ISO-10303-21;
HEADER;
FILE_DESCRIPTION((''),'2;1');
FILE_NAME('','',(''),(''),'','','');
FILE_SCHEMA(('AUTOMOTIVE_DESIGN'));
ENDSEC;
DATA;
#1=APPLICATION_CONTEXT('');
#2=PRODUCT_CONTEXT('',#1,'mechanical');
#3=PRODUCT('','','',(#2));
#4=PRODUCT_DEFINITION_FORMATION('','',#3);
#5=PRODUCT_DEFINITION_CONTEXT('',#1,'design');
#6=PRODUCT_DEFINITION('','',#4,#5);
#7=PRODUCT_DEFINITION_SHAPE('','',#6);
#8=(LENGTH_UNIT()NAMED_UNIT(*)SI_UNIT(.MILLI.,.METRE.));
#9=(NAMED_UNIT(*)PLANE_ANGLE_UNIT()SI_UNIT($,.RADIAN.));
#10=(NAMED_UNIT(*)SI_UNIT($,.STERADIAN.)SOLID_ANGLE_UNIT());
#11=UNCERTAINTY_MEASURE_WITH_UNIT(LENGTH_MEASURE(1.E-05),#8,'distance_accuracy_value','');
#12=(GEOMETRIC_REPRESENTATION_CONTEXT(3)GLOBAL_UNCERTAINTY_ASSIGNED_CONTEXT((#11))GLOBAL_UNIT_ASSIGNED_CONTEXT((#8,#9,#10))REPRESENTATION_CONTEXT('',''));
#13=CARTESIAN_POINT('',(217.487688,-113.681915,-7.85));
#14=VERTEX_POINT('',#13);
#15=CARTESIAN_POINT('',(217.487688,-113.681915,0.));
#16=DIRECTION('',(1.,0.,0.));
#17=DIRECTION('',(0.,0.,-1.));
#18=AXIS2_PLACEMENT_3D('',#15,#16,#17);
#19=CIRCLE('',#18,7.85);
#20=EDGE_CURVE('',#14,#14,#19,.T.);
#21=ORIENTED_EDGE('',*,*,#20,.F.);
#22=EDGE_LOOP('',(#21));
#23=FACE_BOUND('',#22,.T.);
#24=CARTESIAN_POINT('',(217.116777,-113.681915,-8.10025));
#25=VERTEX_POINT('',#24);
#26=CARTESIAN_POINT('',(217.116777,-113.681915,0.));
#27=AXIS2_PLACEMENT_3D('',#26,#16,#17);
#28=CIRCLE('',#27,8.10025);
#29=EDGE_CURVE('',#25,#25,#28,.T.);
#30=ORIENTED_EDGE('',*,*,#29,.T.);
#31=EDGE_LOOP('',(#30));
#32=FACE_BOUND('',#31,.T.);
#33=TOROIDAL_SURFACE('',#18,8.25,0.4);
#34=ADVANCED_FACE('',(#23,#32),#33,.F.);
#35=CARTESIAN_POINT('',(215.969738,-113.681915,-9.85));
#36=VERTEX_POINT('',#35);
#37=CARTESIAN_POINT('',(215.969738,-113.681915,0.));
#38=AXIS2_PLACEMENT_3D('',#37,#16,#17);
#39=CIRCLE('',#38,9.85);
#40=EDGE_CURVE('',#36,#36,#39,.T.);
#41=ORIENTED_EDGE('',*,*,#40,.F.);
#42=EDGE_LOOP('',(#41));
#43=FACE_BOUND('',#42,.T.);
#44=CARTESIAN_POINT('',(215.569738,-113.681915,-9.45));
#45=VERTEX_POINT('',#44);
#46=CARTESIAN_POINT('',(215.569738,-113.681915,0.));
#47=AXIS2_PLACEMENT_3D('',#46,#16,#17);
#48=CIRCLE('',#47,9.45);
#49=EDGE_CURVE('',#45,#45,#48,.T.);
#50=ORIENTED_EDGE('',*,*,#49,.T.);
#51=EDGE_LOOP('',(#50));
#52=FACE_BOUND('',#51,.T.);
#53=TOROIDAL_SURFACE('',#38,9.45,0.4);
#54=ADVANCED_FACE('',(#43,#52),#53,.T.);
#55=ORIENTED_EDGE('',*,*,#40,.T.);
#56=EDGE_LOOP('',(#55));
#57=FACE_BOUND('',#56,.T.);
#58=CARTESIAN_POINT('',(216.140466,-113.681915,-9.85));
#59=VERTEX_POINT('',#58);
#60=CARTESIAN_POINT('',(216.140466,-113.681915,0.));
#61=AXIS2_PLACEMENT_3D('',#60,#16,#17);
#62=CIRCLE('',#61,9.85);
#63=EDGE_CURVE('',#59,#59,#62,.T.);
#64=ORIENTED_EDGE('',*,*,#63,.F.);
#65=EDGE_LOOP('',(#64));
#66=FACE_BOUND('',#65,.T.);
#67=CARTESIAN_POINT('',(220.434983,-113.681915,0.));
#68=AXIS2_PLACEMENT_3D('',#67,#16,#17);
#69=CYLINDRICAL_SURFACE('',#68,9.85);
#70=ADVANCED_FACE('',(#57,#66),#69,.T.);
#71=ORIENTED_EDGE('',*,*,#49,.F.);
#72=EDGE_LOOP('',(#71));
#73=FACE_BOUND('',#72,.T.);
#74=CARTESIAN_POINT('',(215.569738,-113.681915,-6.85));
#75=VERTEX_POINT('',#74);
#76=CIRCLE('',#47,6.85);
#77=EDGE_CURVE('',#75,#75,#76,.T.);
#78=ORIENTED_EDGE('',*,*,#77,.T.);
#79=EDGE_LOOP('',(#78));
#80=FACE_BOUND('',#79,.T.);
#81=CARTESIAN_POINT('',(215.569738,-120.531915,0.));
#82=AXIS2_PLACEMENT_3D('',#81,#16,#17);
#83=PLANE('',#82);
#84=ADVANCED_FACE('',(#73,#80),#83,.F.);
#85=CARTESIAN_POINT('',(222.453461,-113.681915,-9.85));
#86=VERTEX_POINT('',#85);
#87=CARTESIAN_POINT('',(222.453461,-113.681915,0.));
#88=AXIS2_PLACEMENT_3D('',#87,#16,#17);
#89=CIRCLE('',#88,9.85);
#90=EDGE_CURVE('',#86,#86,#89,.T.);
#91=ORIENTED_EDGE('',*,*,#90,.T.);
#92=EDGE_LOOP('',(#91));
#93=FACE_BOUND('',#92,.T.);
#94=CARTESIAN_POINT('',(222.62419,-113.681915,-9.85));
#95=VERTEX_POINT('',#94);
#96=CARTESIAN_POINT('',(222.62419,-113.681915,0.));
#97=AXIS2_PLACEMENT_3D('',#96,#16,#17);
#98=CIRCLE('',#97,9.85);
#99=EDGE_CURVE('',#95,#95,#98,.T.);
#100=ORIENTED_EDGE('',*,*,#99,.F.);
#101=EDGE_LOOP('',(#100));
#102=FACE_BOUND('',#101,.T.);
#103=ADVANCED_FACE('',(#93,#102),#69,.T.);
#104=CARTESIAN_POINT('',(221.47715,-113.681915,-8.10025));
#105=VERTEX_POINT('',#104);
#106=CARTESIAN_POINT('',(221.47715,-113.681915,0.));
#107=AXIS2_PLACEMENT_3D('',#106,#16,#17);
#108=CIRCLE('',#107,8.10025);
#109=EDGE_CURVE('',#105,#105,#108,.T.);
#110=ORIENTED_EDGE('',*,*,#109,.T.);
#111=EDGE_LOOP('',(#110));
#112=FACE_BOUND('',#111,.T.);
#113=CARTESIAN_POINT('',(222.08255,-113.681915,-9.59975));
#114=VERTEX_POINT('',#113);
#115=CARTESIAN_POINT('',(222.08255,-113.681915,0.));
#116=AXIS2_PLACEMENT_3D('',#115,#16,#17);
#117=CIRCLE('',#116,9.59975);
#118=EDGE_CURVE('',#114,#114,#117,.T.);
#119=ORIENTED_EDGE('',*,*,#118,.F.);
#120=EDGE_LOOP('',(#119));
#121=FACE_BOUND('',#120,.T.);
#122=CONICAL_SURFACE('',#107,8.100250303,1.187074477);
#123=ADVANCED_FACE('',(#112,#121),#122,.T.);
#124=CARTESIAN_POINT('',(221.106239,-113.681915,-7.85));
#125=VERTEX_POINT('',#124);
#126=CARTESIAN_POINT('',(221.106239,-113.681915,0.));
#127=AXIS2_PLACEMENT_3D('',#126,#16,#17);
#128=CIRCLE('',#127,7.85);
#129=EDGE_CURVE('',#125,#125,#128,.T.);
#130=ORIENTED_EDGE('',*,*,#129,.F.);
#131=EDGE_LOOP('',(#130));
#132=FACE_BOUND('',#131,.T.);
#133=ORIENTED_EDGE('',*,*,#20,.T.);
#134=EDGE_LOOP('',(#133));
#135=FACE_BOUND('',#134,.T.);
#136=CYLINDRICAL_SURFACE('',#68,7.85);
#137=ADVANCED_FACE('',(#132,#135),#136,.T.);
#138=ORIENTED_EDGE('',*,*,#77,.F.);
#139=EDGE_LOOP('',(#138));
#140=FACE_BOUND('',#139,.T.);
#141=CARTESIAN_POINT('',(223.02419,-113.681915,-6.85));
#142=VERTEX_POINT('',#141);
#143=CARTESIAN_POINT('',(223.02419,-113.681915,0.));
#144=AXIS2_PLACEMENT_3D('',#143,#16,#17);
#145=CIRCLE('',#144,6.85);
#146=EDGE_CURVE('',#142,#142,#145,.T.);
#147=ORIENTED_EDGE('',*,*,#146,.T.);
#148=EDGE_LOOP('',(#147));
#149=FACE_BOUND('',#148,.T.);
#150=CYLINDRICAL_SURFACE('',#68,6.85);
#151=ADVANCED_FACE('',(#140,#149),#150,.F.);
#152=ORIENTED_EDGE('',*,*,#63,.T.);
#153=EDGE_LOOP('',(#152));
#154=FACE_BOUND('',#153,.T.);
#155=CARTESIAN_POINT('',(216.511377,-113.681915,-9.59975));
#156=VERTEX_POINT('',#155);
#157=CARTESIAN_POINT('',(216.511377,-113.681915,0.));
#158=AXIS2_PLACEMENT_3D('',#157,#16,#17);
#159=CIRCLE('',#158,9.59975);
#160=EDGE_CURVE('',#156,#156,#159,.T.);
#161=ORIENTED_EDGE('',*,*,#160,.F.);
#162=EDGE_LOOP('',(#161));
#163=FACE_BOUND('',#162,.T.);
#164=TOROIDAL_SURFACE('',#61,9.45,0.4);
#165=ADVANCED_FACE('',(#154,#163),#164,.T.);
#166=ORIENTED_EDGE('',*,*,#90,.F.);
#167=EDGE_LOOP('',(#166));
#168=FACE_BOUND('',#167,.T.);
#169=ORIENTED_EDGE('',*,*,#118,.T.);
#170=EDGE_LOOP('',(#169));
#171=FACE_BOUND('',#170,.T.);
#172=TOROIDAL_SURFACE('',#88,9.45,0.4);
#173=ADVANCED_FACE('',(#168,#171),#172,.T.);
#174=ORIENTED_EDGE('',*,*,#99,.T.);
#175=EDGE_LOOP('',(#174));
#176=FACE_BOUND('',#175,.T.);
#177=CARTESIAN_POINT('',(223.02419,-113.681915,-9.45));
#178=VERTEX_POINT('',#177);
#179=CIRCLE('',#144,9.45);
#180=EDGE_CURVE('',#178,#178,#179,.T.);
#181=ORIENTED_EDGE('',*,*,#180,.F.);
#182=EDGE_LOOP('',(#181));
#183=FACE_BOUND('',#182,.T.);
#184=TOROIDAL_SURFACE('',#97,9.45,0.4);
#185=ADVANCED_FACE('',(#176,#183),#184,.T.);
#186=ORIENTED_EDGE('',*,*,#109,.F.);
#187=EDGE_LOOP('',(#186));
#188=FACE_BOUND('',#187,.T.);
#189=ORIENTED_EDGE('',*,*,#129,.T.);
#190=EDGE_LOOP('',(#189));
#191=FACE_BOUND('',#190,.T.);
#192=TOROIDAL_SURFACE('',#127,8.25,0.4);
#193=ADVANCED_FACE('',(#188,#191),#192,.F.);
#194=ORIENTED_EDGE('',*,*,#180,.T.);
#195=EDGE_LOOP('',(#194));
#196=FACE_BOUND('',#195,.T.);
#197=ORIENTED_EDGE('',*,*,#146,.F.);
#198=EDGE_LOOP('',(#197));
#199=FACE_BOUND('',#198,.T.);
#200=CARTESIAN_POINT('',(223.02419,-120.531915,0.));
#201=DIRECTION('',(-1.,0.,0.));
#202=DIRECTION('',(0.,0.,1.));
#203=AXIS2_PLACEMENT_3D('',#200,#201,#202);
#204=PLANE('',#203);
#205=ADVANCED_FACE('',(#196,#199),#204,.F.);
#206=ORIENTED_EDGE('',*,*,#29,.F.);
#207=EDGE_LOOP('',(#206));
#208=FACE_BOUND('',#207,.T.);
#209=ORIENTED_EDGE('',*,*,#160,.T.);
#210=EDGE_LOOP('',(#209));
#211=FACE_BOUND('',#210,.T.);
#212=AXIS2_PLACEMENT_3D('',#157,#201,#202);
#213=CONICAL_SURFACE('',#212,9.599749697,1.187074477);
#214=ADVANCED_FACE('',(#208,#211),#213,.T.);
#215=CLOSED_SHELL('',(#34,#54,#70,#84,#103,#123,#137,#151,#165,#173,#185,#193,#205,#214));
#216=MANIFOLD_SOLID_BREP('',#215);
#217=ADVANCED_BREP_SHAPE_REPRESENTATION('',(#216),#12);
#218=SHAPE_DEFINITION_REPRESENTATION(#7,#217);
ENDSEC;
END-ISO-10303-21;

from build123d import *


with BuildPart() as part:
    # Sketch1 → Revolve1 (revolve)
    with BuildSketch(Plane.XY, mode=Mode.PRIVATE) as revolve1_sk:
        with BuildLine():
            Line((215.569737887, -120.531915067), (223.024189817, -120.531915067))
            Line((223.024189817, -120.531915067), (223.024189817, -123.131915067))
            ThreePointArc((223.024189817, -123.131915067), (222.90703253, -123.41475778), (222.624189817, -123.531915067))
            Line((222.624189817, -123.531915067), (222.453461469, -123.531915067))
            ThreePointArc((222.453461469, -123.531915067), (222.22974276, -123.463502069), (222.08255039, -123.281664764))
            Line((222.08255039, -123.281664764), (221.477150355, -121.78216537))
            ThreePointArc((221.477150355, -121.78216537), (221.329957985, -121.600328066), (221.106239276, -121.531915067))
            Line((221.106239276, -121.531915067), (217.487688428, -121.531915067))
            ThreePointArc((217.487688428, -121.531915067), (217.26396972, -121.600328066), (217.11677735, -121.78216537))
            Line((217.11677735, -121.78216537), (216.511377314, -123.281664764))
            ThreePointArc((216.511377314, -123.281664764), (216.364184944, -123.463502069), (216.140466236, -123.531915067))
            Line((216.140466236, -123.531915067), (215.969737887, -123.531915067))
            ThreePointArc((215.969737887, -123.531915067), (215.686895175, -123.41475778), (215.569737887, -123.131915067))
            Line((215.569737887, -123.131915067), (215.569737887, -120.531915067))
        make_face()
    revolve(revolve1_sk.sketch.rotate(Axis((220.434983076, -113.681915067, 0), (-1, 0, 0)), 270), axis=Axis((220.434983076, -113.681915067, 0), (-1, 0, 0)))


solid = part.part
